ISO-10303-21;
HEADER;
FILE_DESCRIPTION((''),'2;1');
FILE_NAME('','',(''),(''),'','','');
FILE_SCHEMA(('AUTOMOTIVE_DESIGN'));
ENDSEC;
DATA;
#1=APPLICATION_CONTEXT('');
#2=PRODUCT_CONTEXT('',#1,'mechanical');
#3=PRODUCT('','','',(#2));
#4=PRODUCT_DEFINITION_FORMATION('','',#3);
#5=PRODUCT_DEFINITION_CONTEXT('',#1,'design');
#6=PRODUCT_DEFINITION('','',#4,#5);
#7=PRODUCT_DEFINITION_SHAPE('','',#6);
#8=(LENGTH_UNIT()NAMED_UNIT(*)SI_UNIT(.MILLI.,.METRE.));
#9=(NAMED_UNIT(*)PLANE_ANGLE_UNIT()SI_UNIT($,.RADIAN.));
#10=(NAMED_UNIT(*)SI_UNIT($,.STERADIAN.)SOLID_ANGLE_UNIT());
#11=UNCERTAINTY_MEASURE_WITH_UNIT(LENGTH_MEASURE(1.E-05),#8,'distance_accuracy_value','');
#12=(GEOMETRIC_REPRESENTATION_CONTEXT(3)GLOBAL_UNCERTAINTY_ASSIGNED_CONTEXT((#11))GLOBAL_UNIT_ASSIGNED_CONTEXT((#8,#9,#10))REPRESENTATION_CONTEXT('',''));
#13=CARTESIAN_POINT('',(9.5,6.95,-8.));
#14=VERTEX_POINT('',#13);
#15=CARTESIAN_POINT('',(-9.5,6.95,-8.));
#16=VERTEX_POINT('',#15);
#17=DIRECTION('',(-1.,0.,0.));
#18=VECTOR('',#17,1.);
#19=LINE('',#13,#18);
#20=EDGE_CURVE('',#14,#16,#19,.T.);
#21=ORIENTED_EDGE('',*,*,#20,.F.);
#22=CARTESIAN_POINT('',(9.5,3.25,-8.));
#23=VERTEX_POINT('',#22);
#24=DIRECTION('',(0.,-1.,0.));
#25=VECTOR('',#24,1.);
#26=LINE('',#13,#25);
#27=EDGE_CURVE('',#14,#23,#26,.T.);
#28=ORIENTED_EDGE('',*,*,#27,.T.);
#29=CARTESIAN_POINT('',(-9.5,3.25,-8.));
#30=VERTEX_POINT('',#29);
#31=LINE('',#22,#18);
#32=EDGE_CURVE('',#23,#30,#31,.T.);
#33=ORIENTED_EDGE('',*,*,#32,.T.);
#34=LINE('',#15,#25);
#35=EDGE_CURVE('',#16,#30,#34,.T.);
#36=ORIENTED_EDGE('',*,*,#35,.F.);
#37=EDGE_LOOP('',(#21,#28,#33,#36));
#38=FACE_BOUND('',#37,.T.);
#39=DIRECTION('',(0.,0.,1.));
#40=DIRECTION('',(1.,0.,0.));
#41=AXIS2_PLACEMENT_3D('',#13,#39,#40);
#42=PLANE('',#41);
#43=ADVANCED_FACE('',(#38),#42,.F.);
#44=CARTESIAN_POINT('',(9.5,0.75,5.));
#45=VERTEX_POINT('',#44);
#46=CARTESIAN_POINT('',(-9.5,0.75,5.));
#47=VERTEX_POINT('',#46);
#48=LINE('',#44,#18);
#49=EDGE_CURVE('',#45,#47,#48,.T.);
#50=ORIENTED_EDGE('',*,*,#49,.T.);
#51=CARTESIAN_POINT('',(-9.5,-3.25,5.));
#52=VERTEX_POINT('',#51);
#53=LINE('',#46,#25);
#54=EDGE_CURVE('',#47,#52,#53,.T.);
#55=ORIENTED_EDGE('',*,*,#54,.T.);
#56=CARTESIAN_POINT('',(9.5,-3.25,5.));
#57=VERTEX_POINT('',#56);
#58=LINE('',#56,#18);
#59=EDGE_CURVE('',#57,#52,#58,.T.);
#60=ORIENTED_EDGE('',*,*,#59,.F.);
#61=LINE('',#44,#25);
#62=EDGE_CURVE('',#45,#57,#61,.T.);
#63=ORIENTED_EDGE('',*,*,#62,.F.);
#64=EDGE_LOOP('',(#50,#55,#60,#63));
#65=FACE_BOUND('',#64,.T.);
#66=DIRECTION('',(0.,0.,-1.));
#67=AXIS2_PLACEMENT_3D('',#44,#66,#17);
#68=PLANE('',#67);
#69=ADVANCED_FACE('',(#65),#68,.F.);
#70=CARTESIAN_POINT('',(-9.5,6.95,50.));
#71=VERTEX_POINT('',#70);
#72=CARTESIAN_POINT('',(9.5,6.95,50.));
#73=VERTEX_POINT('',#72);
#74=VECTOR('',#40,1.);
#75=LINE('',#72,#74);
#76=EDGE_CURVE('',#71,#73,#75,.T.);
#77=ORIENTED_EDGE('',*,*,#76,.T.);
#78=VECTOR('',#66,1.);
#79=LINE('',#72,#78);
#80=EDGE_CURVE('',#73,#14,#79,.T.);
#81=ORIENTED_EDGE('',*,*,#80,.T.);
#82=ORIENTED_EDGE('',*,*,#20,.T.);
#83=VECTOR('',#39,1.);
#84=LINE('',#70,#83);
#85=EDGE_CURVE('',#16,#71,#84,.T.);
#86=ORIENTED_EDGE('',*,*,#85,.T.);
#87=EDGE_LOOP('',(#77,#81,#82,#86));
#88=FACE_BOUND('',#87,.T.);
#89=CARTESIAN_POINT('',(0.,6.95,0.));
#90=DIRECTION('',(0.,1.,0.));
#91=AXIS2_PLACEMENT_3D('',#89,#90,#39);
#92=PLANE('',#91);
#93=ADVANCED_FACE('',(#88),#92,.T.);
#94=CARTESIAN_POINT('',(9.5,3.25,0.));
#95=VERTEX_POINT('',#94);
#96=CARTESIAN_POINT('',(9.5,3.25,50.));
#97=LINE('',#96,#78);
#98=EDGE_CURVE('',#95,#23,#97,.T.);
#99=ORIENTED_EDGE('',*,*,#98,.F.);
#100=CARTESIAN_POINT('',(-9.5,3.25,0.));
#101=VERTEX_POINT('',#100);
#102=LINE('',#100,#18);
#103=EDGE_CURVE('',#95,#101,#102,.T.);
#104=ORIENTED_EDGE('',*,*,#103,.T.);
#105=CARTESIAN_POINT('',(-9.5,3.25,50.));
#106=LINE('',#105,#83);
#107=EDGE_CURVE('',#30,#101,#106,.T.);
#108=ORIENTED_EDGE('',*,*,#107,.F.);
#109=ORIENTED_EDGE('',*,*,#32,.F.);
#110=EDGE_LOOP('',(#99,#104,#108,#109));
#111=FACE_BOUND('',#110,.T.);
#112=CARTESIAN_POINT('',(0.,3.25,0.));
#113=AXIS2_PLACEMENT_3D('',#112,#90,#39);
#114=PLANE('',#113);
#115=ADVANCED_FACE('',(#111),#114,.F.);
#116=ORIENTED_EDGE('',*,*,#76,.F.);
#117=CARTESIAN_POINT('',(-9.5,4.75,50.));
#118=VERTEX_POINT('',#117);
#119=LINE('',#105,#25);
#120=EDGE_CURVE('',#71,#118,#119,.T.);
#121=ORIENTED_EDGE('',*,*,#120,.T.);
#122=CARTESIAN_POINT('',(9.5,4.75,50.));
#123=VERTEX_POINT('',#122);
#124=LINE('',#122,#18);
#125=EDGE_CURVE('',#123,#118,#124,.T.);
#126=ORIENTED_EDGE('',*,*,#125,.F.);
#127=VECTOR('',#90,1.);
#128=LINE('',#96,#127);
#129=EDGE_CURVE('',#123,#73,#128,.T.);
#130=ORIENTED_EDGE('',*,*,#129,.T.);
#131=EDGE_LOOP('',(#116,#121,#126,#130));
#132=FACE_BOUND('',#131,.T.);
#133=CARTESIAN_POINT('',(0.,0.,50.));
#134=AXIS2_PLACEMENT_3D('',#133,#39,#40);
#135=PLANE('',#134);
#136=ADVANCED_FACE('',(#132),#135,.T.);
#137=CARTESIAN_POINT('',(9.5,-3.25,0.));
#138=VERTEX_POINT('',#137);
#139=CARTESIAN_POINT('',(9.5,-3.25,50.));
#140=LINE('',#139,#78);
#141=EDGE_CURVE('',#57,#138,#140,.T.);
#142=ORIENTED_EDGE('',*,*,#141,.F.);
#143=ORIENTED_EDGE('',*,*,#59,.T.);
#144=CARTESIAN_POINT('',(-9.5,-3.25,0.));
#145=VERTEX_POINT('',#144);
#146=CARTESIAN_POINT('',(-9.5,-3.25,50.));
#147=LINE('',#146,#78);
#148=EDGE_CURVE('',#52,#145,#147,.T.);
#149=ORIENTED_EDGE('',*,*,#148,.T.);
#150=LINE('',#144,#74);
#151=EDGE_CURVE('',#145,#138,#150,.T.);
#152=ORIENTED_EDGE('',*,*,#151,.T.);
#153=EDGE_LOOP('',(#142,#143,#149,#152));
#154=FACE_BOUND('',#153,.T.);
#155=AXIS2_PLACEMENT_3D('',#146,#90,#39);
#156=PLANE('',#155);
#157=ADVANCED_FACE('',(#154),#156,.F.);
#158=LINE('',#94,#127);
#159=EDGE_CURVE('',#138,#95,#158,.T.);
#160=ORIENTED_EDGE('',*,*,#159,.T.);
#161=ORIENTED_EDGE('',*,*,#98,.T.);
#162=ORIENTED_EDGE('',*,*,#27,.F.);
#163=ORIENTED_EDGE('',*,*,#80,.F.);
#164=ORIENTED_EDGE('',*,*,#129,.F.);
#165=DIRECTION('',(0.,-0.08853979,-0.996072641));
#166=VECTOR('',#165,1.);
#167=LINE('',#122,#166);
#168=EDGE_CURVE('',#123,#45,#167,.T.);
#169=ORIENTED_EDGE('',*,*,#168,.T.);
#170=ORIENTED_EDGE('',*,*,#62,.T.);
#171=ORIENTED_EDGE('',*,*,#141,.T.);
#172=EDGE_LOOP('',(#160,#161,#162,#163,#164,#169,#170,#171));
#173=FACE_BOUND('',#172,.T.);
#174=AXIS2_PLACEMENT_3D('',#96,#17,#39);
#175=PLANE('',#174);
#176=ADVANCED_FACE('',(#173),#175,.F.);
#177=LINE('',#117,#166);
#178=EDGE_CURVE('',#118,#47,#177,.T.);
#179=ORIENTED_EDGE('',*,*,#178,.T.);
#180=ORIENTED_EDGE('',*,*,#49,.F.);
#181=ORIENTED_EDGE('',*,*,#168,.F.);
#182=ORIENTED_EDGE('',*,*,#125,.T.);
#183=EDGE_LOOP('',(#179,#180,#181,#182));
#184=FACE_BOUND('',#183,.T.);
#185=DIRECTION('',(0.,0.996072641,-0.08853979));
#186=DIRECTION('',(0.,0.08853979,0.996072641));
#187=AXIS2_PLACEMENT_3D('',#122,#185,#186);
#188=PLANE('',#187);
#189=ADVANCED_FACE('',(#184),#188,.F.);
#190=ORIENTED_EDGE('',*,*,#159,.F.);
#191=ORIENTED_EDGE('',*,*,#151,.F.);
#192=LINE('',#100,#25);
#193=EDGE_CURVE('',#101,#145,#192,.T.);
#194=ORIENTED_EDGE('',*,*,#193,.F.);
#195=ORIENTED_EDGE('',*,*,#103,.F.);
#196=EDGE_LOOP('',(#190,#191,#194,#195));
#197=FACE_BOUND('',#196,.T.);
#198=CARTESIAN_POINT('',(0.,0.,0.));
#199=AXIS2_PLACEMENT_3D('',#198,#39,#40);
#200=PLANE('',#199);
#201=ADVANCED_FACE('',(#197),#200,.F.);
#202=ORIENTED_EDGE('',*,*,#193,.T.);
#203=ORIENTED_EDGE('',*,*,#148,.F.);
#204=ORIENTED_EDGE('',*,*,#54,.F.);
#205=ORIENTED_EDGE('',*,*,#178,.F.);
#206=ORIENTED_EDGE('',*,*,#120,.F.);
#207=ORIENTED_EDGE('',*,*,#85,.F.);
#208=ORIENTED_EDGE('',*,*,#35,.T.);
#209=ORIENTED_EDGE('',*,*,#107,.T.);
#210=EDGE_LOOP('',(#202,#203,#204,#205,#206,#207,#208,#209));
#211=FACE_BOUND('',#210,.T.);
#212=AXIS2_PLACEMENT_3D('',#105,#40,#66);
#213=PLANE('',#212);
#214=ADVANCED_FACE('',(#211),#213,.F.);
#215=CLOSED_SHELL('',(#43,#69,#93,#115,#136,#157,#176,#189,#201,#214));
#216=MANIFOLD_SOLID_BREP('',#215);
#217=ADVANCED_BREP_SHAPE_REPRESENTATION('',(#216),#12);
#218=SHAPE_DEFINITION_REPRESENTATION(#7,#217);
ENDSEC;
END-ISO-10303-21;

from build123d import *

# Parameters (mm, degrees)
SKETCH1_W           = 19
SKETCH1_H           = 6.5
BOSS_EXTRUDE1_DEPTH = 50
SKETCH2_W           = 19
SKETCH2_H           = 58
BOSS_EXTRUDE2_DEPTH = 3.7
CUT_EXTRUDE1_DEPTH  = 54.937950462


with BuildPart() as part:
    # Sketch1 → Boss-Extrude1 (new body)
    with BuildSketch(Plane.XY):
        Rectangle(SKETCH1_W, SKETCH1_H)
    extrude(amount=BOSS_EXTRUDE1_DEPTH)

    # Sketch2 → Boss-Extrude2 (add)
    with BuildSketch(Plane(origin=(0, 3.25, 0), x_dir=(1, 0, 0), z_dir=(0, 1, 0))):
        with Locations((0, -21)):
            Rectangle(SKETCH2_W, SKETCH2_H)
    extrude(amount=BOSS_EXTRUDE2_DEPTH)

    # Sketch3 → Cut-Extrude1 (cut, through all)
    with BuildSketch(Plane.ZY.offset(9.5)):
        Polygon((50, 4.75), (50, -3.25), (5, -3.25), (5, 0.75), align=None)
    extrude(amount=-CUT_EXTRUDE1_DEPTH, mode=Mode.SUBTRACT)


solid = part.part
